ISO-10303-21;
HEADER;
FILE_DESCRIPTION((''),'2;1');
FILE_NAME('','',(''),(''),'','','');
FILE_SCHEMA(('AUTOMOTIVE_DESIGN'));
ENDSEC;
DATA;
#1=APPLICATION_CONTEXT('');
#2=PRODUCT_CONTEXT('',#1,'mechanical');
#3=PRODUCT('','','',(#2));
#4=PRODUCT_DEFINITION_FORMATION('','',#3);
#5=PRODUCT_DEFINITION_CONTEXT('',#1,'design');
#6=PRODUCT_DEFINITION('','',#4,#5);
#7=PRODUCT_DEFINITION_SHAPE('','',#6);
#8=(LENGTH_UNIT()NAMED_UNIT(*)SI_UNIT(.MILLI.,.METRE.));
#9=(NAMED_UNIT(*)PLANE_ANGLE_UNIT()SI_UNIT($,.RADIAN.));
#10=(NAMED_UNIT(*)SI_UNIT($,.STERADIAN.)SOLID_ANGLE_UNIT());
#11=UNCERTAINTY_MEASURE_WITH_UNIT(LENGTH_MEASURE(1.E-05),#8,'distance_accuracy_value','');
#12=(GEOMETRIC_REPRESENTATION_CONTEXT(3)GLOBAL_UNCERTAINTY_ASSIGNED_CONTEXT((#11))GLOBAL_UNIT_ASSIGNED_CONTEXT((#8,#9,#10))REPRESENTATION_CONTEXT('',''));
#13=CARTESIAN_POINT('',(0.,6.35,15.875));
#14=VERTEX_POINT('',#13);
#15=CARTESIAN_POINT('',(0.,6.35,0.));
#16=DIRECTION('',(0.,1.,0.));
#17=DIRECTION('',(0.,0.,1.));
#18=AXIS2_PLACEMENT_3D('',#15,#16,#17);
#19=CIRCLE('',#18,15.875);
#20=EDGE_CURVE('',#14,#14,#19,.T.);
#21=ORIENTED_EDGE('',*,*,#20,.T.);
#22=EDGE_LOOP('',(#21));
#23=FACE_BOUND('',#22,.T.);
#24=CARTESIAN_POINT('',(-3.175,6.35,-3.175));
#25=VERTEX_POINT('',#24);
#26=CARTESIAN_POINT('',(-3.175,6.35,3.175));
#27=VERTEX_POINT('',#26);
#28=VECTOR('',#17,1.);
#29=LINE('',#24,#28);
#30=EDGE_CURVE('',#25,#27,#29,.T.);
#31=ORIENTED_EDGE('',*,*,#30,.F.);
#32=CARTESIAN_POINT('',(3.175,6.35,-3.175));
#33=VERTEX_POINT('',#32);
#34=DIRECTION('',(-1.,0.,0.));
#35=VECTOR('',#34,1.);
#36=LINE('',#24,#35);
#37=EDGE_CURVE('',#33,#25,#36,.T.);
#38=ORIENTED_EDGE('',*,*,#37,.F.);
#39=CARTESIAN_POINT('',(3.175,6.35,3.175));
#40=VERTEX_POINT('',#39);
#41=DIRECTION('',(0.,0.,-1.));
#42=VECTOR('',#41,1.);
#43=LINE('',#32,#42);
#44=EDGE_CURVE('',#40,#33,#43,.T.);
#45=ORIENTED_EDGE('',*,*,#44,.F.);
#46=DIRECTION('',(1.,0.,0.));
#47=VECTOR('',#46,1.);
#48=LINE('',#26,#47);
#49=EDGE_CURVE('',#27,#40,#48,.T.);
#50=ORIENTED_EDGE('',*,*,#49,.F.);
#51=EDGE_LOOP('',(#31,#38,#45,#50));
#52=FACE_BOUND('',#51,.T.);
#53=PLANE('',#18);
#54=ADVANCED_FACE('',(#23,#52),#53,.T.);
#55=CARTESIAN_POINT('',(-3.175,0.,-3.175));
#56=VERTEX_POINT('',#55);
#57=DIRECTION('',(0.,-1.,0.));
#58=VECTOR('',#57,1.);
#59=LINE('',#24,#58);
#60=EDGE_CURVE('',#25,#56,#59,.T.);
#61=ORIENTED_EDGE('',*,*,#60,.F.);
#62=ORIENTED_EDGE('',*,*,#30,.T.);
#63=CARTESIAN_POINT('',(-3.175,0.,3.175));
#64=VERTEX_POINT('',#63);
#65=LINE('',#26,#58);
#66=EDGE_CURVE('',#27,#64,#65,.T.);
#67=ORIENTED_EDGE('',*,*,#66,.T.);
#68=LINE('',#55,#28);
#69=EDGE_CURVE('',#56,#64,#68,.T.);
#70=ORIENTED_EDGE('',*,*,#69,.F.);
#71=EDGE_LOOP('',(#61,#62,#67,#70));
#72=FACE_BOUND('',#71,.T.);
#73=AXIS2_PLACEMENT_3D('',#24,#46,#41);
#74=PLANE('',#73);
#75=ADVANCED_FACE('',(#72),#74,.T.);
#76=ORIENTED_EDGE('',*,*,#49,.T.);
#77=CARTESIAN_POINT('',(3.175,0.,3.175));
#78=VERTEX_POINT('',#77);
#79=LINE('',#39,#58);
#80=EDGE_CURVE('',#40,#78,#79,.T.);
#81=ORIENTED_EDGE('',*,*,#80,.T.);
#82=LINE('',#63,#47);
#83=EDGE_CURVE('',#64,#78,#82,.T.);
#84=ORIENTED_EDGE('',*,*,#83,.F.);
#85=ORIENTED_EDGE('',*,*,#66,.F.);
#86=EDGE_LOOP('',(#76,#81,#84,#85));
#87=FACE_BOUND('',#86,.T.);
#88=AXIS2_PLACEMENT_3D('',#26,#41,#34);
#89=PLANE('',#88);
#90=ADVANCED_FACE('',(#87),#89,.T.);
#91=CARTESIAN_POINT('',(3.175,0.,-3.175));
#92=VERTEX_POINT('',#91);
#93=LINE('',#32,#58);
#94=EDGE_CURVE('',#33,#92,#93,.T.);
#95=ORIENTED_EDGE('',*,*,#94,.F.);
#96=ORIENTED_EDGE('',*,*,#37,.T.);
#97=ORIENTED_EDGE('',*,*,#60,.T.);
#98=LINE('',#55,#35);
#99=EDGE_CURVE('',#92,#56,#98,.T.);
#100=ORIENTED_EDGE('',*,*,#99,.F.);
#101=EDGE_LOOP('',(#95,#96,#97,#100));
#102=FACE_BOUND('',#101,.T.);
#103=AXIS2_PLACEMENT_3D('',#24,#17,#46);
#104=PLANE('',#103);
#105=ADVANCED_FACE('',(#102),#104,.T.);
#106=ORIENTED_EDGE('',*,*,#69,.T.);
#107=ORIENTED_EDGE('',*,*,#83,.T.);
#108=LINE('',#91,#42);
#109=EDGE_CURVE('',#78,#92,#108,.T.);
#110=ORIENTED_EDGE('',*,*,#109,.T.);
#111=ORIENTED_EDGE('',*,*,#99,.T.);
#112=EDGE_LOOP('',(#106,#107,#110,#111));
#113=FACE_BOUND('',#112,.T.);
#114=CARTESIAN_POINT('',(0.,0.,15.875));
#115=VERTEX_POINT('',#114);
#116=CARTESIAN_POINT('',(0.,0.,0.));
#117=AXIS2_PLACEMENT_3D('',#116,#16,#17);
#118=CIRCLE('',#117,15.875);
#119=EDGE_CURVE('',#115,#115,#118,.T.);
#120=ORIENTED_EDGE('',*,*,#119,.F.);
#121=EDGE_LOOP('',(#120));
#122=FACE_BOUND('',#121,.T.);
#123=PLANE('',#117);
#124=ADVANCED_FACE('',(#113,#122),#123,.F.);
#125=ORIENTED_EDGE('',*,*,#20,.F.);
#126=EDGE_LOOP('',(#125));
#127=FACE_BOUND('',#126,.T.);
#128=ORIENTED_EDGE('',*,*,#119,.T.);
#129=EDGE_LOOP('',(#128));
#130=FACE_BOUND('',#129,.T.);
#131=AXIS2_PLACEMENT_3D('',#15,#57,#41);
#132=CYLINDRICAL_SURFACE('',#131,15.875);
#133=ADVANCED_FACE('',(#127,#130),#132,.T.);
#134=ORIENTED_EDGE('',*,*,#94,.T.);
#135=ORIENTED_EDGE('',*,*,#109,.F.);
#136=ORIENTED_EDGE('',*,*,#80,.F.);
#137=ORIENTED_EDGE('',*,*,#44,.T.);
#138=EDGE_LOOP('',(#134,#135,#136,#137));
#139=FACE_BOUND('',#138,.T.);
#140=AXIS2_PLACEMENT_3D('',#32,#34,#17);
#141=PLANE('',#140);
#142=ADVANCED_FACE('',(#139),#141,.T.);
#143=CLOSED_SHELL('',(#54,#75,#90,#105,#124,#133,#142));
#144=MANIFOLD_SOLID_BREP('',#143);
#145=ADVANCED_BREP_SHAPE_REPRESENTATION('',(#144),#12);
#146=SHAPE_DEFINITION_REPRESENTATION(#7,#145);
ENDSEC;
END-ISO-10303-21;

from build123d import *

# Parameters (mm, degrees)
ELEVATOR_SUPPORT_PULLEYS_R = 15.875
ELEVATOR_SUPPORT_PULLEYS_W = 6.35
ELEVATOR_SUPPORT_PULLEYS_H = 6.35
BOSS_EXTRUDE1_DEPTH        = 6.35


with BuildPart() as part:
    # Elevator Support Pulleys → Boss-Extrude1 (new body)
    with BuildSketch(Plane(origin=(0, 0, 0), x_dir=(1, 0, 0), z_dir=(0, 1, 0))):
        with Locations(Location((0, 0, 0), (0, 0, 270))):
            Circle(ELEVATOR_SUPPORT_PULLEYS_R)
        Rectangle(ELEVATOR_SUPPORT_PULLEYS_W, ELEVATOR_SUPPORT_PULLEYS_H, mode=Mode.SUBTRACT)
    extrude(amount=BOSS_EXTRUDE1_DEPTH)


solid = part.part
